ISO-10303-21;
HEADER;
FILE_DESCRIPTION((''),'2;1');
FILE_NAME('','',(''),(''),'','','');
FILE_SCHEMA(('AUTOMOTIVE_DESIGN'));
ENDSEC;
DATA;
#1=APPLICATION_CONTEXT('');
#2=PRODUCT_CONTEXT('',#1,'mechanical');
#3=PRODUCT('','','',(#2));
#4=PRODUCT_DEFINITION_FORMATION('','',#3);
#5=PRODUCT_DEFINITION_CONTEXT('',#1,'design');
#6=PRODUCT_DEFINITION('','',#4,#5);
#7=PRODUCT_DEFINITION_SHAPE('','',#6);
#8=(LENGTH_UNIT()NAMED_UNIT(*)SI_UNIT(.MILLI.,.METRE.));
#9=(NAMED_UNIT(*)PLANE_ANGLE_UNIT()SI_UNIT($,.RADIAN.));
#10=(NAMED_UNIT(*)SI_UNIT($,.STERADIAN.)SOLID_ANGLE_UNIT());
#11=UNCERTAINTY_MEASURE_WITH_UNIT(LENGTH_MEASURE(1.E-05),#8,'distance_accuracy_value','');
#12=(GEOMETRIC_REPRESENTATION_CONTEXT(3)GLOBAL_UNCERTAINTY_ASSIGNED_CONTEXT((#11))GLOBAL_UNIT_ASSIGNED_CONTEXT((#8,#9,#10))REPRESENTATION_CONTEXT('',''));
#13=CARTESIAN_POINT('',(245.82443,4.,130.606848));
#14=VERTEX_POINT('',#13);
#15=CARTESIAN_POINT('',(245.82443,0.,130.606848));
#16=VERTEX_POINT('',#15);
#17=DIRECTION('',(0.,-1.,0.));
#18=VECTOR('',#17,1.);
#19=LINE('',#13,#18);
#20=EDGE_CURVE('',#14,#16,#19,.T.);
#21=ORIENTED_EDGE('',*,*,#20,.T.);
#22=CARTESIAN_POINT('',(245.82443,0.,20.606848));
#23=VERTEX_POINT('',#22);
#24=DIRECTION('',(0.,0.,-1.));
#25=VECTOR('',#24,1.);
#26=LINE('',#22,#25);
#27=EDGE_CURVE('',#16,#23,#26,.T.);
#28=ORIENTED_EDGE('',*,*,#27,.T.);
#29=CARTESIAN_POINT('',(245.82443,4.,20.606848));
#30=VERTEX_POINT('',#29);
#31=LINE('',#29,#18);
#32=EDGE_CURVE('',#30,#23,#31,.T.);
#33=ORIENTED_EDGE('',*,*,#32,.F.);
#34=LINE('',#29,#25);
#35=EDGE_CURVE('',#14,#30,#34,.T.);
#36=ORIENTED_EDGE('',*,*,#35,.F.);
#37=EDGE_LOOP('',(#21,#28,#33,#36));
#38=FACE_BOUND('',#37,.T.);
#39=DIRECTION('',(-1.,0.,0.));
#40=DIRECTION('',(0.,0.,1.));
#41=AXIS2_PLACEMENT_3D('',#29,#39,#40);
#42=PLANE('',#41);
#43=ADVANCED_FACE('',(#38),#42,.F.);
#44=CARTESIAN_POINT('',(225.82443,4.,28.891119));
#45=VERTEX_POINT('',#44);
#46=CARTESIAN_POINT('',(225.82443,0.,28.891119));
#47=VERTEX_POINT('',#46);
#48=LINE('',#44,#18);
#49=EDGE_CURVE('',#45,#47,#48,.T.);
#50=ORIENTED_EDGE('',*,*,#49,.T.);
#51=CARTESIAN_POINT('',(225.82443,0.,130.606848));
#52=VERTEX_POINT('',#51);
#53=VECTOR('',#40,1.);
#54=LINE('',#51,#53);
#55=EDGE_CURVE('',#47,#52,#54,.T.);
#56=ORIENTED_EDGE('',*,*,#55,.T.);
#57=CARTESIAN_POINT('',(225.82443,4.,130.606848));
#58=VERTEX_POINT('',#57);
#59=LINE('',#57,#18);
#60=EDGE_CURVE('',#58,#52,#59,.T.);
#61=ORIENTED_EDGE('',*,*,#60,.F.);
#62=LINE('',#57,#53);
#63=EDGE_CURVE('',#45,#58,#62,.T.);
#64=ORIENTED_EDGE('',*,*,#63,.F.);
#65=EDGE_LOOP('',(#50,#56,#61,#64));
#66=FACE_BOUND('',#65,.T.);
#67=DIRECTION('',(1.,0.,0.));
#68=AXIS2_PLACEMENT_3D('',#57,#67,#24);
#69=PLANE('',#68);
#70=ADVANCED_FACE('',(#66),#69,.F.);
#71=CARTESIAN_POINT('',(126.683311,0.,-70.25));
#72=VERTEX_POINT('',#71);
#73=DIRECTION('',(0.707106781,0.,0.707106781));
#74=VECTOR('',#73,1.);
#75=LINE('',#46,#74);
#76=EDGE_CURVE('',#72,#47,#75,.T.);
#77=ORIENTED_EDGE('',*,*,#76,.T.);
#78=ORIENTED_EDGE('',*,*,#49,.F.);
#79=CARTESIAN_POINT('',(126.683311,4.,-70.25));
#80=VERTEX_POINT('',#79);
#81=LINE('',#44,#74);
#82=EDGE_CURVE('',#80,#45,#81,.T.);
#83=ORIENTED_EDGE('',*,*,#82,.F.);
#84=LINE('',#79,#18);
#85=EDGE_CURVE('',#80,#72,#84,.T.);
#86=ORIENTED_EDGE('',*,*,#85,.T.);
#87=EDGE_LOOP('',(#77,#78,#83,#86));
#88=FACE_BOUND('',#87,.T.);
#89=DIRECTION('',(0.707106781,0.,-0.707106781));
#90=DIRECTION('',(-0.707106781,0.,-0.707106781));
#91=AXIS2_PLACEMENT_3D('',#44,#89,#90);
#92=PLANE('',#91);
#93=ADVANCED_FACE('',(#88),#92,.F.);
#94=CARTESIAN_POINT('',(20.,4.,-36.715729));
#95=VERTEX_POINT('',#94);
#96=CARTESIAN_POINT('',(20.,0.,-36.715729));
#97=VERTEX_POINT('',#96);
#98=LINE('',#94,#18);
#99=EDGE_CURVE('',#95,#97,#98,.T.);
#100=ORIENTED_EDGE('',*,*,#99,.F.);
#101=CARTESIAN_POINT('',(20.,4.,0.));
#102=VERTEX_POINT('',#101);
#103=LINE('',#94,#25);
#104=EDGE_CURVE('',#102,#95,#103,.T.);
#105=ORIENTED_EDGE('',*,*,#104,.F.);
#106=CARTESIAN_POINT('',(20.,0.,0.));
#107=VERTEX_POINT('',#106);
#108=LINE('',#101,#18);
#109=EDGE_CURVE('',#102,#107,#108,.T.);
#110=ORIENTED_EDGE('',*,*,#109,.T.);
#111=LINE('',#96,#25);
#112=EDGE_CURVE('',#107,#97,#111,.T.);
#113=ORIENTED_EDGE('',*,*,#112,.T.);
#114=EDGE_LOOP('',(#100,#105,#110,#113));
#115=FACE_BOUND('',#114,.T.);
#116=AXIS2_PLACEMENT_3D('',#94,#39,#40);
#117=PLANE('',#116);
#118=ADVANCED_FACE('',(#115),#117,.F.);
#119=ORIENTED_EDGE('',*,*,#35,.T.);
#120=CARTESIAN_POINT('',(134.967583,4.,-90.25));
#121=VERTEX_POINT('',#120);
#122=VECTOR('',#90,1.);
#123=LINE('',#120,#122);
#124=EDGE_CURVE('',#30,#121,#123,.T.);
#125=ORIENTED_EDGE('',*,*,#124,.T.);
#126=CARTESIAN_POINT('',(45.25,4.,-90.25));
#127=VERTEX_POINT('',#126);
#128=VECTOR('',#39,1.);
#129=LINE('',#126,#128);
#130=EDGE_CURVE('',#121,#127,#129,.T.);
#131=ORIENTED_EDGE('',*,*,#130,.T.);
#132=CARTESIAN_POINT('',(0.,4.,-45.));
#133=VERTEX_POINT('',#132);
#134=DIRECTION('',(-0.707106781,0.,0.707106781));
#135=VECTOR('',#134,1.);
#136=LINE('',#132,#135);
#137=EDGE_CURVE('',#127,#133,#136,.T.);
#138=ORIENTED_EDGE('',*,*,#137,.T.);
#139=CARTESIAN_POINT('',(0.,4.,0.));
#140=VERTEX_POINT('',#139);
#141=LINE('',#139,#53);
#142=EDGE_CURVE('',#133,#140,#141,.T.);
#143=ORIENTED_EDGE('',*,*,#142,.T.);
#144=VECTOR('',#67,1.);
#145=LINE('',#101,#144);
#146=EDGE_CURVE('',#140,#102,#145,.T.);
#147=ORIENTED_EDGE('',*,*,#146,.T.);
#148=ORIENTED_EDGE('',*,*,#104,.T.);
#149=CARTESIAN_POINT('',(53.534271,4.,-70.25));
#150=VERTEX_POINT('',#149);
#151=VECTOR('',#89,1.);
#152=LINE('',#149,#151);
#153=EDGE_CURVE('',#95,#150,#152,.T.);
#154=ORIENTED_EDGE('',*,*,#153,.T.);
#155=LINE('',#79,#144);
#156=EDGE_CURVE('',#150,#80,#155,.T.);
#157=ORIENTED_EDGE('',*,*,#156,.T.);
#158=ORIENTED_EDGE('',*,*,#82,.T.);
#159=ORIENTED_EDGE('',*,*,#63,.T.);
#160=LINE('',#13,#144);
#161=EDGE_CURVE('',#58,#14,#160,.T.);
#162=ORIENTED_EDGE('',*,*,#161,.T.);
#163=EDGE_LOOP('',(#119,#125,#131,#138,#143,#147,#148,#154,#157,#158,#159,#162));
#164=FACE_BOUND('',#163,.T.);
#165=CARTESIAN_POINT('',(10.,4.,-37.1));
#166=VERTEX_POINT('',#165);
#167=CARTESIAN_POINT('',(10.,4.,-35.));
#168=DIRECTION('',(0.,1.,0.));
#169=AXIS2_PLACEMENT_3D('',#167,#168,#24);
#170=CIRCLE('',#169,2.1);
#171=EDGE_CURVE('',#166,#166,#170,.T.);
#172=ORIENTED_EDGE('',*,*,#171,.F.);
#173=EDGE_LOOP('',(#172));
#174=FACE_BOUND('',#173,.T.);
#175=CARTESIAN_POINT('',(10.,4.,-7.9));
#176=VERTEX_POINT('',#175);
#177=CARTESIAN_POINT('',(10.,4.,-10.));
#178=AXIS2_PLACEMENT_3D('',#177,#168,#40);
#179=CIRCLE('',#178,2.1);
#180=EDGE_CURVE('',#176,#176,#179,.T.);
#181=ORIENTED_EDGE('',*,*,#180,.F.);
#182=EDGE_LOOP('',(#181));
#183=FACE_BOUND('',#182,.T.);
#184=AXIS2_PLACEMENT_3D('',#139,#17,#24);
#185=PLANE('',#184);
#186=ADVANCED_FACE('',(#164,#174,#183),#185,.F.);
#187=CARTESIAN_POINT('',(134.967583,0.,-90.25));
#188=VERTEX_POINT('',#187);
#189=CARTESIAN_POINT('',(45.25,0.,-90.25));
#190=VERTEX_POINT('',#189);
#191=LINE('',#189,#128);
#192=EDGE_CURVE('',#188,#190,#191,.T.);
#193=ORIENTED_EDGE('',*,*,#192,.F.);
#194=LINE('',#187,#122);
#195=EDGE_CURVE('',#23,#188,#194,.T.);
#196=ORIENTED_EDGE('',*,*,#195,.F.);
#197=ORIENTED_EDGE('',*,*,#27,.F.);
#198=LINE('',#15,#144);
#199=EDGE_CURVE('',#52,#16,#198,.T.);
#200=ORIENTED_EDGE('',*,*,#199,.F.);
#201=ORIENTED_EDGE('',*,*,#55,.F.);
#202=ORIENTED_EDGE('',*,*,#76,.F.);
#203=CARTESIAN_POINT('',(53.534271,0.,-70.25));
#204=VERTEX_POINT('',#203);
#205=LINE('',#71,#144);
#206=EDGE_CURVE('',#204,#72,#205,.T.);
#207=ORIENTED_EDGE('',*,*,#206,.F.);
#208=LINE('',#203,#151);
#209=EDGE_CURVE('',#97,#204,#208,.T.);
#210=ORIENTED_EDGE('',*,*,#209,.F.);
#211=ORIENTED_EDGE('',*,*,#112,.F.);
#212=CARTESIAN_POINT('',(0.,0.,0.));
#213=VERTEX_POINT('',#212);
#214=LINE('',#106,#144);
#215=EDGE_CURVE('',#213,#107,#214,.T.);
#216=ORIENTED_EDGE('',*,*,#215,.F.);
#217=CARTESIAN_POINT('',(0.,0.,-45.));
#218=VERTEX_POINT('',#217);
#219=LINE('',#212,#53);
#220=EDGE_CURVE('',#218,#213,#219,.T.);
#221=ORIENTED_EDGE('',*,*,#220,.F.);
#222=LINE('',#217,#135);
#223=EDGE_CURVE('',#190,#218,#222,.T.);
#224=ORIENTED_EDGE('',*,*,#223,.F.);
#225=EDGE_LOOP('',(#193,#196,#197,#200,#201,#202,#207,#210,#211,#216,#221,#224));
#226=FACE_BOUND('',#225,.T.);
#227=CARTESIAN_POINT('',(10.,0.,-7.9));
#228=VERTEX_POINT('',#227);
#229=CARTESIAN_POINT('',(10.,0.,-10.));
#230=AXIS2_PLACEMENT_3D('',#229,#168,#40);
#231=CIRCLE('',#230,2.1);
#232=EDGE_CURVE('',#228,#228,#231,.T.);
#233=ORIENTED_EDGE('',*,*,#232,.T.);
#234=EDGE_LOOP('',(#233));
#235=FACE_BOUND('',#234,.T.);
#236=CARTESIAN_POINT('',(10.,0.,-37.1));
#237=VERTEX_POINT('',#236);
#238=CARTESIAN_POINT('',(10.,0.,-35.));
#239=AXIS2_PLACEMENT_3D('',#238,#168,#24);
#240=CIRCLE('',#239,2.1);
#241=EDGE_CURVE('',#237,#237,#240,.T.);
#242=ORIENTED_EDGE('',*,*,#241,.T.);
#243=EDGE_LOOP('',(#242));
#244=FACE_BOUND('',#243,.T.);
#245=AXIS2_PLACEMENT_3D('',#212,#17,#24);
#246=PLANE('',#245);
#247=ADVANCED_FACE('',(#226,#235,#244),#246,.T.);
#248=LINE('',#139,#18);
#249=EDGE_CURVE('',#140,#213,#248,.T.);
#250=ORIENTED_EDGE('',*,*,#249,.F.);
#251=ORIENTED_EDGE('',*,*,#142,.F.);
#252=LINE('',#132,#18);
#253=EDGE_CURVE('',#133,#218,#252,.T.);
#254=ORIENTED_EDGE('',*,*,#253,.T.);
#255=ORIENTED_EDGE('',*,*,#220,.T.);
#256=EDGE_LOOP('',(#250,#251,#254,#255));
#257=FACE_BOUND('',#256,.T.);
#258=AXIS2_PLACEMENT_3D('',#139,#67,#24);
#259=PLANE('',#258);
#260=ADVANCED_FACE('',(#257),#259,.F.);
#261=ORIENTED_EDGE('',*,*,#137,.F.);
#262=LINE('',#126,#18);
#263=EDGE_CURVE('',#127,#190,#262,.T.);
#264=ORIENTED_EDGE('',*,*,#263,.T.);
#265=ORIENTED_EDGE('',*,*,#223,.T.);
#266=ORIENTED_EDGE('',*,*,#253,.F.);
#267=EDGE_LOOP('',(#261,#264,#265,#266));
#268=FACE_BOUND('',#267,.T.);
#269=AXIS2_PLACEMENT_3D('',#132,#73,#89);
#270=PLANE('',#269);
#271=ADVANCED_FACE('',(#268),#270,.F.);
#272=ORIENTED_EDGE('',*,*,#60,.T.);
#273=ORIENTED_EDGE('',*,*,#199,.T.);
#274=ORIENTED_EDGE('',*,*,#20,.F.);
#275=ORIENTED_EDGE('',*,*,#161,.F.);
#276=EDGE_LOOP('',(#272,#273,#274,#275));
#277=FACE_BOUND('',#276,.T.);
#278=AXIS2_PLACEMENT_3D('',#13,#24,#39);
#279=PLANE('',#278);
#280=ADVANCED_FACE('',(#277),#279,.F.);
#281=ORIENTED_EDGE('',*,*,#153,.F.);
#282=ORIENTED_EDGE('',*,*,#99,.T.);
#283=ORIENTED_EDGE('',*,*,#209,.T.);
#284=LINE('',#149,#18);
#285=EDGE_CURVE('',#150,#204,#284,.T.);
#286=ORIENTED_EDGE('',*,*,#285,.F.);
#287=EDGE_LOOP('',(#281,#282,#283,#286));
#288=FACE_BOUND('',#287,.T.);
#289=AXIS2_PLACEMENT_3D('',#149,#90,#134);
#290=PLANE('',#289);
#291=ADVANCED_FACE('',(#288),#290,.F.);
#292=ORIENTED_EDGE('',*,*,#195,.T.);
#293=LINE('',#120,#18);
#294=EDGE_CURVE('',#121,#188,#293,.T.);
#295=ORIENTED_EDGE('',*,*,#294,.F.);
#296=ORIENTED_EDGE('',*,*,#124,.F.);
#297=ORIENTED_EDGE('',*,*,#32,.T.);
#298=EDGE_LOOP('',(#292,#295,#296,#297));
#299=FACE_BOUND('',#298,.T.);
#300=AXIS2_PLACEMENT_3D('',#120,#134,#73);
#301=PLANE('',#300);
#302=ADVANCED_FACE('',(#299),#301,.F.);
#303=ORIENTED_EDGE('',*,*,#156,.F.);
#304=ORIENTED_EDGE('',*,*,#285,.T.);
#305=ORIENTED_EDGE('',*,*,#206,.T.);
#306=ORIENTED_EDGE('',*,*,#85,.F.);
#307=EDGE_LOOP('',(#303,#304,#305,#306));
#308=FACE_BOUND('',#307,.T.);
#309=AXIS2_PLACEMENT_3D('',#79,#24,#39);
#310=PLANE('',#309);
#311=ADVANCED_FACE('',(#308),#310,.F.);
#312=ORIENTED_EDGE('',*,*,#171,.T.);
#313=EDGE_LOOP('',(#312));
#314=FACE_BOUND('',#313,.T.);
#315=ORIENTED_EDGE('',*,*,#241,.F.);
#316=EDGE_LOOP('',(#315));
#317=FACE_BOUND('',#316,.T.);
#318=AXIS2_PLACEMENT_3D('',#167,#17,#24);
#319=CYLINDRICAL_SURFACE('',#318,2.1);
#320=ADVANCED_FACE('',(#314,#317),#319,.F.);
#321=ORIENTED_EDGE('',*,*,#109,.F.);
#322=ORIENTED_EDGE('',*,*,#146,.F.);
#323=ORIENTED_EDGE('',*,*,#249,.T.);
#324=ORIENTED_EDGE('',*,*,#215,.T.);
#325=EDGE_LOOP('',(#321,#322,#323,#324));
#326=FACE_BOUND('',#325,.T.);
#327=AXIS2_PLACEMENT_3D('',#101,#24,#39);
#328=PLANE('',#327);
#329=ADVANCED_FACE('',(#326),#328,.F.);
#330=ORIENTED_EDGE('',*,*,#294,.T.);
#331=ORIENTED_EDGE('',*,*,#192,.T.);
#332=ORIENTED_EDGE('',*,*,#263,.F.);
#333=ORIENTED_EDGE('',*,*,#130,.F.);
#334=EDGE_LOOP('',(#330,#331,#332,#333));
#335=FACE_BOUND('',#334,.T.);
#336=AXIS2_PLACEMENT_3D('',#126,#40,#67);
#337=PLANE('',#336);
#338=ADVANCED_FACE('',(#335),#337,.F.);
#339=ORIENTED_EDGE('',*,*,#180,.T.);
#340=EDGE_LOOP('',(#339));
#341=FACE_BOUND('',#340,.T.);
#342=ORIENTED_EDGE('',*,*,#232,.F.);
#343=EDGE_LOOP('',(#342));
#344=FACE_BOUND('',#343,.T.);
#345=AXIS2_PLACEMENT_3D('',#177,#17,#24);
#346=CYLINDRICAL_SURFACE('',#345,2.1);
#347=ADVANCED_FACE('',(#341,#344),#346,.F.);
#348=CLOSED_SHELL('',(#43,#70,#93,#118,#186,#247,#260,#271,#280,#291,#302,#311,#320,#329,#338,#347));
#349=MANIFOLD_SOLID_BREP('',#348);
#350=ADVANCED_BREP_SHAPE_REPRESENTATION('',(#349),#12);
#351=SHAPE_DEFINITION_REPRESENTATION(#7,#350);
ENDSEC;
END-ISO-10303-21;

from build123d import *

# Parameters (mm, degrees)
SKETCH_1_R      = 2.1
EXTRUDE_1_DEPTH = 4


with BuildPart() as part:
    # 草图1 → 凸台-拉伸1 (new body)
    with BuildSketch(Plane(origin=(0, 0, 0), x_dir=(1, 0, 0), z_dir=(0, 1, 0))):
        Polygon((20, 0), (0, 0), (0, 45), (45.25, 90.25), (134.96758269, 90.25), (245.824430246, -20.606847556), (245.824430246, -130.606847556), (225.824430246, -130.606847556), (225.824430246, -28.891118804), (126.683311442, 70.25), (53.534271247, 70.25), (20, 36.715728753), align=None)
        with Locations(Location((10, 10, 0), (0, 0, 270))):
            Circle(SKETCH_1_R, mode=Mode.SUBTRACT)
        with Locations(Location((10, 35, 0), (0, 0, 90))):
            Circle(SKETCH_1_R, mode=Mode.SUBTRACT)
    extrude(amount=EXTRUDE_1_DEPTH)


solid = part.part
